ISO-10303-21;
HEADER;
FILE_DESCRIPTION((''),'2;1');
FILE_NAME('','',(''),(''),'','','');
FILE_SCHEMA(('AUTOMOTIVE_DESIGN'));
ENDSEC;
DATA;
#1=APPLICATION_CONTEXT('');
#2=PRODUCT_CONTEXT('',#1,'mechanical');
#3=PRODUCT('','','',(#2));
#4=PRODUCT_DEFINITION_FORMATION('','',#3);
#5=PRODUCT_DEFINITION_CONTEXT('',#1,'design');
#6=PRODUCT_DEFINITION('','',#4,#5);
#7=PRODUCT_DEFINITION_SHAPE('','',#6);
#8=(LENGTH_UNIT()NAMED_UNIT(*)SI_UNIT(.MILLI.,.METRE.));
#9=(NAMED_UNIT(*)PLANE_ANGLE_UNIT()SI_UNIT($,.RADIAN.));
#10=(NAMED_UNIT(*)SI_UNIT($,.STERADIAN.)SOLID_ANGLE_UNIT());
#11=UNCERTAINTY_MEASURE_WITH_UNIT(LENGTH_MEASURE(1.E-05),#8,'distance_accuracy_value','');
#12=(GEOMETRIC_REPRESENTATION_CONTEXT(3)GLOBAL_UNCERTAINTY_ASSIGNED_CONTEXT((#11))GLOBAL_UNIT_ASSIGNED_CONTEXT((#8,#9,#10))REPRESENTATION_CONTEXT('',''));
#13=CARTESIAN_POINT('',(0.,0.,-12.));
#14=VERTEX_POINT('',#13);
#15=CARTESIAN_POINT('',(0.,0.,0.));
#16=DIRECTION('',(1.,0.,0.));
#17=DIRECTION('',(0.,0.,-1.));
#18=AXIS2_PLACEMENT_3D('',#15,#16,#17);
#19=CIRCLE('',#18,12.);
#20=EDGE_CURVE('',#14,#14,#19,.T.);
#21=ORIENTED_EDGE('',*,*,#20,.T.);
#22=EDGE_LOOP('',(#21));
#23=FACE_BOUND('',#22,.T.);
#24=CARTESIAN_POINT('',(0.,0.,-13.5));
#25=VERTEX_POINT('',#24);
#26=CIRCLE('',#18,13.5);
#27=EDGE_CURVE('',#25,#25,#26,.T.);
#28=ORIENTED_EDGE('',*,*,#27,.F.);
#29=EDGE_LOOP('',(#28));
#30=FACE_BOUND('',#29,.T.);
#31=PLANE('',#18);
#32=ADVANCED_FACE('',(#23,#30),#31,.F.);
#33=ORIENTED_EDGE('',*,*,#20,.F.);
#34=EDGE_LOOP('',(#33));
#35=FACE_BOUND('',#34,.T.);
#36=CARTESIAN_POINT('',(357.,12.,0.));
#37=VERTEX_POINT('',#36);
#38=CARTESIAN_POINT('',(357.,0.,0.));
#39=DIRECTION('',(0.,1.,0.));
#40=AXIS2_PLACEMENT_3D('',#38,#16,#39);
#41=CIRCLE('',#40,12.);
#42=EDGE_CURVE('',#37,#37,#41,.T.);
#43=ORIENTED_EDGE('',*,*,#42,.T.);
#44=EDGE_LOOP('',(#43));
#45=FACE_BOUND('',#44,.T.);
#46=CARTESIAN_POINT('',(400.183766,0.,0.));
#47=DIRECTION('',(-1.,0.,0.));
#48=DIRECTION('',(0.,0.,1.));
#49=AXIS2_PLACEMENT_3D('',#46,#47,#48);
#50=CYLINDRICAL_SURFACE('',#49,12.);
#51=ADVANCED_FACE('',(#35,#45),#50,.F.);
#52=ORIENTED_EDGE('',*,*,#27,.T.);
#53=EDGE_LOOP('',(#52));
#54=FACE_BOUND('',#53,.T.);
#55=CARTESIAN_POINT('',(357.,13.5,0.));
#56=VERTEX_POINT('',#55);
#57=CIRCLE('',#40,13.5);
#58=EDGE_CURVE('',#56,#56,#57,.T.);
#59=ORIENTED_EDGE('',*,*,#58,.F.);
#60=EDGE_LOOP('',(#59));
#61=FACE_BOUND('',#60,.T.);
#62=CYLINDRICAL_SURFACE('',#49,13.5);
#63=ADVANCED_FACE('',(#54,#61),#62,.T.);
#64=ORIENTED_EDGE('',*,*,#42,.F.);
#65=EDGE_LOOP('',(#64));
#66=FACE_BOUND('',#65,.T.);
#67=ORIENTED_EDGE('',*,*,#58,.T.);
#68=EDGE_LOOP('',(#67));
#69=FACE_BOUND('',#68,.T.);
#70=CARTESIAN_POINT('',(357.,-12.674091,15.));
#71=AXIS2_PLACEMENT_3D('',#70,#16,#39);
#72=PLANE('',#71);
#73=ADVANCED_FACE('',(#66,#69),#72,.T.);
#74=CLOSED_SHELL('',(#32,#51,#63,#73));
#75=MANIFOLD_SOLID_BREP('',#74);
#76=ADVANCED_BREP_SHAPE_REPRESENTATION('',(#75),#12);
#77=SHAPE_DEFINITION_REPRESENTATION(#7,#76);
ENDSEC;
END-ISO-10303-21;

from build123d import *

# Parameters (mm, degrees)
SKETCH_1_R      = 13.5
SKETCH_1_R_2    = 12
EXTRUDE_1_DEPTH = 357


with BuildPart() as part:
    # Эскиз1 → Бобышка-Вытянуть1 (new body)
    with BuildSketch(Plane(origin=(0, 0, 0), x_dir=(0, 0, -1), z_dir=(1, 0, 0))):
        Circle(SKETCH_1_R)
        Circle(SKETCH_1_R_2, mode=Mode.SUBTRACT)
    extrude(amount=EXTRUDE_1_DEPTH)


solid = part.part
